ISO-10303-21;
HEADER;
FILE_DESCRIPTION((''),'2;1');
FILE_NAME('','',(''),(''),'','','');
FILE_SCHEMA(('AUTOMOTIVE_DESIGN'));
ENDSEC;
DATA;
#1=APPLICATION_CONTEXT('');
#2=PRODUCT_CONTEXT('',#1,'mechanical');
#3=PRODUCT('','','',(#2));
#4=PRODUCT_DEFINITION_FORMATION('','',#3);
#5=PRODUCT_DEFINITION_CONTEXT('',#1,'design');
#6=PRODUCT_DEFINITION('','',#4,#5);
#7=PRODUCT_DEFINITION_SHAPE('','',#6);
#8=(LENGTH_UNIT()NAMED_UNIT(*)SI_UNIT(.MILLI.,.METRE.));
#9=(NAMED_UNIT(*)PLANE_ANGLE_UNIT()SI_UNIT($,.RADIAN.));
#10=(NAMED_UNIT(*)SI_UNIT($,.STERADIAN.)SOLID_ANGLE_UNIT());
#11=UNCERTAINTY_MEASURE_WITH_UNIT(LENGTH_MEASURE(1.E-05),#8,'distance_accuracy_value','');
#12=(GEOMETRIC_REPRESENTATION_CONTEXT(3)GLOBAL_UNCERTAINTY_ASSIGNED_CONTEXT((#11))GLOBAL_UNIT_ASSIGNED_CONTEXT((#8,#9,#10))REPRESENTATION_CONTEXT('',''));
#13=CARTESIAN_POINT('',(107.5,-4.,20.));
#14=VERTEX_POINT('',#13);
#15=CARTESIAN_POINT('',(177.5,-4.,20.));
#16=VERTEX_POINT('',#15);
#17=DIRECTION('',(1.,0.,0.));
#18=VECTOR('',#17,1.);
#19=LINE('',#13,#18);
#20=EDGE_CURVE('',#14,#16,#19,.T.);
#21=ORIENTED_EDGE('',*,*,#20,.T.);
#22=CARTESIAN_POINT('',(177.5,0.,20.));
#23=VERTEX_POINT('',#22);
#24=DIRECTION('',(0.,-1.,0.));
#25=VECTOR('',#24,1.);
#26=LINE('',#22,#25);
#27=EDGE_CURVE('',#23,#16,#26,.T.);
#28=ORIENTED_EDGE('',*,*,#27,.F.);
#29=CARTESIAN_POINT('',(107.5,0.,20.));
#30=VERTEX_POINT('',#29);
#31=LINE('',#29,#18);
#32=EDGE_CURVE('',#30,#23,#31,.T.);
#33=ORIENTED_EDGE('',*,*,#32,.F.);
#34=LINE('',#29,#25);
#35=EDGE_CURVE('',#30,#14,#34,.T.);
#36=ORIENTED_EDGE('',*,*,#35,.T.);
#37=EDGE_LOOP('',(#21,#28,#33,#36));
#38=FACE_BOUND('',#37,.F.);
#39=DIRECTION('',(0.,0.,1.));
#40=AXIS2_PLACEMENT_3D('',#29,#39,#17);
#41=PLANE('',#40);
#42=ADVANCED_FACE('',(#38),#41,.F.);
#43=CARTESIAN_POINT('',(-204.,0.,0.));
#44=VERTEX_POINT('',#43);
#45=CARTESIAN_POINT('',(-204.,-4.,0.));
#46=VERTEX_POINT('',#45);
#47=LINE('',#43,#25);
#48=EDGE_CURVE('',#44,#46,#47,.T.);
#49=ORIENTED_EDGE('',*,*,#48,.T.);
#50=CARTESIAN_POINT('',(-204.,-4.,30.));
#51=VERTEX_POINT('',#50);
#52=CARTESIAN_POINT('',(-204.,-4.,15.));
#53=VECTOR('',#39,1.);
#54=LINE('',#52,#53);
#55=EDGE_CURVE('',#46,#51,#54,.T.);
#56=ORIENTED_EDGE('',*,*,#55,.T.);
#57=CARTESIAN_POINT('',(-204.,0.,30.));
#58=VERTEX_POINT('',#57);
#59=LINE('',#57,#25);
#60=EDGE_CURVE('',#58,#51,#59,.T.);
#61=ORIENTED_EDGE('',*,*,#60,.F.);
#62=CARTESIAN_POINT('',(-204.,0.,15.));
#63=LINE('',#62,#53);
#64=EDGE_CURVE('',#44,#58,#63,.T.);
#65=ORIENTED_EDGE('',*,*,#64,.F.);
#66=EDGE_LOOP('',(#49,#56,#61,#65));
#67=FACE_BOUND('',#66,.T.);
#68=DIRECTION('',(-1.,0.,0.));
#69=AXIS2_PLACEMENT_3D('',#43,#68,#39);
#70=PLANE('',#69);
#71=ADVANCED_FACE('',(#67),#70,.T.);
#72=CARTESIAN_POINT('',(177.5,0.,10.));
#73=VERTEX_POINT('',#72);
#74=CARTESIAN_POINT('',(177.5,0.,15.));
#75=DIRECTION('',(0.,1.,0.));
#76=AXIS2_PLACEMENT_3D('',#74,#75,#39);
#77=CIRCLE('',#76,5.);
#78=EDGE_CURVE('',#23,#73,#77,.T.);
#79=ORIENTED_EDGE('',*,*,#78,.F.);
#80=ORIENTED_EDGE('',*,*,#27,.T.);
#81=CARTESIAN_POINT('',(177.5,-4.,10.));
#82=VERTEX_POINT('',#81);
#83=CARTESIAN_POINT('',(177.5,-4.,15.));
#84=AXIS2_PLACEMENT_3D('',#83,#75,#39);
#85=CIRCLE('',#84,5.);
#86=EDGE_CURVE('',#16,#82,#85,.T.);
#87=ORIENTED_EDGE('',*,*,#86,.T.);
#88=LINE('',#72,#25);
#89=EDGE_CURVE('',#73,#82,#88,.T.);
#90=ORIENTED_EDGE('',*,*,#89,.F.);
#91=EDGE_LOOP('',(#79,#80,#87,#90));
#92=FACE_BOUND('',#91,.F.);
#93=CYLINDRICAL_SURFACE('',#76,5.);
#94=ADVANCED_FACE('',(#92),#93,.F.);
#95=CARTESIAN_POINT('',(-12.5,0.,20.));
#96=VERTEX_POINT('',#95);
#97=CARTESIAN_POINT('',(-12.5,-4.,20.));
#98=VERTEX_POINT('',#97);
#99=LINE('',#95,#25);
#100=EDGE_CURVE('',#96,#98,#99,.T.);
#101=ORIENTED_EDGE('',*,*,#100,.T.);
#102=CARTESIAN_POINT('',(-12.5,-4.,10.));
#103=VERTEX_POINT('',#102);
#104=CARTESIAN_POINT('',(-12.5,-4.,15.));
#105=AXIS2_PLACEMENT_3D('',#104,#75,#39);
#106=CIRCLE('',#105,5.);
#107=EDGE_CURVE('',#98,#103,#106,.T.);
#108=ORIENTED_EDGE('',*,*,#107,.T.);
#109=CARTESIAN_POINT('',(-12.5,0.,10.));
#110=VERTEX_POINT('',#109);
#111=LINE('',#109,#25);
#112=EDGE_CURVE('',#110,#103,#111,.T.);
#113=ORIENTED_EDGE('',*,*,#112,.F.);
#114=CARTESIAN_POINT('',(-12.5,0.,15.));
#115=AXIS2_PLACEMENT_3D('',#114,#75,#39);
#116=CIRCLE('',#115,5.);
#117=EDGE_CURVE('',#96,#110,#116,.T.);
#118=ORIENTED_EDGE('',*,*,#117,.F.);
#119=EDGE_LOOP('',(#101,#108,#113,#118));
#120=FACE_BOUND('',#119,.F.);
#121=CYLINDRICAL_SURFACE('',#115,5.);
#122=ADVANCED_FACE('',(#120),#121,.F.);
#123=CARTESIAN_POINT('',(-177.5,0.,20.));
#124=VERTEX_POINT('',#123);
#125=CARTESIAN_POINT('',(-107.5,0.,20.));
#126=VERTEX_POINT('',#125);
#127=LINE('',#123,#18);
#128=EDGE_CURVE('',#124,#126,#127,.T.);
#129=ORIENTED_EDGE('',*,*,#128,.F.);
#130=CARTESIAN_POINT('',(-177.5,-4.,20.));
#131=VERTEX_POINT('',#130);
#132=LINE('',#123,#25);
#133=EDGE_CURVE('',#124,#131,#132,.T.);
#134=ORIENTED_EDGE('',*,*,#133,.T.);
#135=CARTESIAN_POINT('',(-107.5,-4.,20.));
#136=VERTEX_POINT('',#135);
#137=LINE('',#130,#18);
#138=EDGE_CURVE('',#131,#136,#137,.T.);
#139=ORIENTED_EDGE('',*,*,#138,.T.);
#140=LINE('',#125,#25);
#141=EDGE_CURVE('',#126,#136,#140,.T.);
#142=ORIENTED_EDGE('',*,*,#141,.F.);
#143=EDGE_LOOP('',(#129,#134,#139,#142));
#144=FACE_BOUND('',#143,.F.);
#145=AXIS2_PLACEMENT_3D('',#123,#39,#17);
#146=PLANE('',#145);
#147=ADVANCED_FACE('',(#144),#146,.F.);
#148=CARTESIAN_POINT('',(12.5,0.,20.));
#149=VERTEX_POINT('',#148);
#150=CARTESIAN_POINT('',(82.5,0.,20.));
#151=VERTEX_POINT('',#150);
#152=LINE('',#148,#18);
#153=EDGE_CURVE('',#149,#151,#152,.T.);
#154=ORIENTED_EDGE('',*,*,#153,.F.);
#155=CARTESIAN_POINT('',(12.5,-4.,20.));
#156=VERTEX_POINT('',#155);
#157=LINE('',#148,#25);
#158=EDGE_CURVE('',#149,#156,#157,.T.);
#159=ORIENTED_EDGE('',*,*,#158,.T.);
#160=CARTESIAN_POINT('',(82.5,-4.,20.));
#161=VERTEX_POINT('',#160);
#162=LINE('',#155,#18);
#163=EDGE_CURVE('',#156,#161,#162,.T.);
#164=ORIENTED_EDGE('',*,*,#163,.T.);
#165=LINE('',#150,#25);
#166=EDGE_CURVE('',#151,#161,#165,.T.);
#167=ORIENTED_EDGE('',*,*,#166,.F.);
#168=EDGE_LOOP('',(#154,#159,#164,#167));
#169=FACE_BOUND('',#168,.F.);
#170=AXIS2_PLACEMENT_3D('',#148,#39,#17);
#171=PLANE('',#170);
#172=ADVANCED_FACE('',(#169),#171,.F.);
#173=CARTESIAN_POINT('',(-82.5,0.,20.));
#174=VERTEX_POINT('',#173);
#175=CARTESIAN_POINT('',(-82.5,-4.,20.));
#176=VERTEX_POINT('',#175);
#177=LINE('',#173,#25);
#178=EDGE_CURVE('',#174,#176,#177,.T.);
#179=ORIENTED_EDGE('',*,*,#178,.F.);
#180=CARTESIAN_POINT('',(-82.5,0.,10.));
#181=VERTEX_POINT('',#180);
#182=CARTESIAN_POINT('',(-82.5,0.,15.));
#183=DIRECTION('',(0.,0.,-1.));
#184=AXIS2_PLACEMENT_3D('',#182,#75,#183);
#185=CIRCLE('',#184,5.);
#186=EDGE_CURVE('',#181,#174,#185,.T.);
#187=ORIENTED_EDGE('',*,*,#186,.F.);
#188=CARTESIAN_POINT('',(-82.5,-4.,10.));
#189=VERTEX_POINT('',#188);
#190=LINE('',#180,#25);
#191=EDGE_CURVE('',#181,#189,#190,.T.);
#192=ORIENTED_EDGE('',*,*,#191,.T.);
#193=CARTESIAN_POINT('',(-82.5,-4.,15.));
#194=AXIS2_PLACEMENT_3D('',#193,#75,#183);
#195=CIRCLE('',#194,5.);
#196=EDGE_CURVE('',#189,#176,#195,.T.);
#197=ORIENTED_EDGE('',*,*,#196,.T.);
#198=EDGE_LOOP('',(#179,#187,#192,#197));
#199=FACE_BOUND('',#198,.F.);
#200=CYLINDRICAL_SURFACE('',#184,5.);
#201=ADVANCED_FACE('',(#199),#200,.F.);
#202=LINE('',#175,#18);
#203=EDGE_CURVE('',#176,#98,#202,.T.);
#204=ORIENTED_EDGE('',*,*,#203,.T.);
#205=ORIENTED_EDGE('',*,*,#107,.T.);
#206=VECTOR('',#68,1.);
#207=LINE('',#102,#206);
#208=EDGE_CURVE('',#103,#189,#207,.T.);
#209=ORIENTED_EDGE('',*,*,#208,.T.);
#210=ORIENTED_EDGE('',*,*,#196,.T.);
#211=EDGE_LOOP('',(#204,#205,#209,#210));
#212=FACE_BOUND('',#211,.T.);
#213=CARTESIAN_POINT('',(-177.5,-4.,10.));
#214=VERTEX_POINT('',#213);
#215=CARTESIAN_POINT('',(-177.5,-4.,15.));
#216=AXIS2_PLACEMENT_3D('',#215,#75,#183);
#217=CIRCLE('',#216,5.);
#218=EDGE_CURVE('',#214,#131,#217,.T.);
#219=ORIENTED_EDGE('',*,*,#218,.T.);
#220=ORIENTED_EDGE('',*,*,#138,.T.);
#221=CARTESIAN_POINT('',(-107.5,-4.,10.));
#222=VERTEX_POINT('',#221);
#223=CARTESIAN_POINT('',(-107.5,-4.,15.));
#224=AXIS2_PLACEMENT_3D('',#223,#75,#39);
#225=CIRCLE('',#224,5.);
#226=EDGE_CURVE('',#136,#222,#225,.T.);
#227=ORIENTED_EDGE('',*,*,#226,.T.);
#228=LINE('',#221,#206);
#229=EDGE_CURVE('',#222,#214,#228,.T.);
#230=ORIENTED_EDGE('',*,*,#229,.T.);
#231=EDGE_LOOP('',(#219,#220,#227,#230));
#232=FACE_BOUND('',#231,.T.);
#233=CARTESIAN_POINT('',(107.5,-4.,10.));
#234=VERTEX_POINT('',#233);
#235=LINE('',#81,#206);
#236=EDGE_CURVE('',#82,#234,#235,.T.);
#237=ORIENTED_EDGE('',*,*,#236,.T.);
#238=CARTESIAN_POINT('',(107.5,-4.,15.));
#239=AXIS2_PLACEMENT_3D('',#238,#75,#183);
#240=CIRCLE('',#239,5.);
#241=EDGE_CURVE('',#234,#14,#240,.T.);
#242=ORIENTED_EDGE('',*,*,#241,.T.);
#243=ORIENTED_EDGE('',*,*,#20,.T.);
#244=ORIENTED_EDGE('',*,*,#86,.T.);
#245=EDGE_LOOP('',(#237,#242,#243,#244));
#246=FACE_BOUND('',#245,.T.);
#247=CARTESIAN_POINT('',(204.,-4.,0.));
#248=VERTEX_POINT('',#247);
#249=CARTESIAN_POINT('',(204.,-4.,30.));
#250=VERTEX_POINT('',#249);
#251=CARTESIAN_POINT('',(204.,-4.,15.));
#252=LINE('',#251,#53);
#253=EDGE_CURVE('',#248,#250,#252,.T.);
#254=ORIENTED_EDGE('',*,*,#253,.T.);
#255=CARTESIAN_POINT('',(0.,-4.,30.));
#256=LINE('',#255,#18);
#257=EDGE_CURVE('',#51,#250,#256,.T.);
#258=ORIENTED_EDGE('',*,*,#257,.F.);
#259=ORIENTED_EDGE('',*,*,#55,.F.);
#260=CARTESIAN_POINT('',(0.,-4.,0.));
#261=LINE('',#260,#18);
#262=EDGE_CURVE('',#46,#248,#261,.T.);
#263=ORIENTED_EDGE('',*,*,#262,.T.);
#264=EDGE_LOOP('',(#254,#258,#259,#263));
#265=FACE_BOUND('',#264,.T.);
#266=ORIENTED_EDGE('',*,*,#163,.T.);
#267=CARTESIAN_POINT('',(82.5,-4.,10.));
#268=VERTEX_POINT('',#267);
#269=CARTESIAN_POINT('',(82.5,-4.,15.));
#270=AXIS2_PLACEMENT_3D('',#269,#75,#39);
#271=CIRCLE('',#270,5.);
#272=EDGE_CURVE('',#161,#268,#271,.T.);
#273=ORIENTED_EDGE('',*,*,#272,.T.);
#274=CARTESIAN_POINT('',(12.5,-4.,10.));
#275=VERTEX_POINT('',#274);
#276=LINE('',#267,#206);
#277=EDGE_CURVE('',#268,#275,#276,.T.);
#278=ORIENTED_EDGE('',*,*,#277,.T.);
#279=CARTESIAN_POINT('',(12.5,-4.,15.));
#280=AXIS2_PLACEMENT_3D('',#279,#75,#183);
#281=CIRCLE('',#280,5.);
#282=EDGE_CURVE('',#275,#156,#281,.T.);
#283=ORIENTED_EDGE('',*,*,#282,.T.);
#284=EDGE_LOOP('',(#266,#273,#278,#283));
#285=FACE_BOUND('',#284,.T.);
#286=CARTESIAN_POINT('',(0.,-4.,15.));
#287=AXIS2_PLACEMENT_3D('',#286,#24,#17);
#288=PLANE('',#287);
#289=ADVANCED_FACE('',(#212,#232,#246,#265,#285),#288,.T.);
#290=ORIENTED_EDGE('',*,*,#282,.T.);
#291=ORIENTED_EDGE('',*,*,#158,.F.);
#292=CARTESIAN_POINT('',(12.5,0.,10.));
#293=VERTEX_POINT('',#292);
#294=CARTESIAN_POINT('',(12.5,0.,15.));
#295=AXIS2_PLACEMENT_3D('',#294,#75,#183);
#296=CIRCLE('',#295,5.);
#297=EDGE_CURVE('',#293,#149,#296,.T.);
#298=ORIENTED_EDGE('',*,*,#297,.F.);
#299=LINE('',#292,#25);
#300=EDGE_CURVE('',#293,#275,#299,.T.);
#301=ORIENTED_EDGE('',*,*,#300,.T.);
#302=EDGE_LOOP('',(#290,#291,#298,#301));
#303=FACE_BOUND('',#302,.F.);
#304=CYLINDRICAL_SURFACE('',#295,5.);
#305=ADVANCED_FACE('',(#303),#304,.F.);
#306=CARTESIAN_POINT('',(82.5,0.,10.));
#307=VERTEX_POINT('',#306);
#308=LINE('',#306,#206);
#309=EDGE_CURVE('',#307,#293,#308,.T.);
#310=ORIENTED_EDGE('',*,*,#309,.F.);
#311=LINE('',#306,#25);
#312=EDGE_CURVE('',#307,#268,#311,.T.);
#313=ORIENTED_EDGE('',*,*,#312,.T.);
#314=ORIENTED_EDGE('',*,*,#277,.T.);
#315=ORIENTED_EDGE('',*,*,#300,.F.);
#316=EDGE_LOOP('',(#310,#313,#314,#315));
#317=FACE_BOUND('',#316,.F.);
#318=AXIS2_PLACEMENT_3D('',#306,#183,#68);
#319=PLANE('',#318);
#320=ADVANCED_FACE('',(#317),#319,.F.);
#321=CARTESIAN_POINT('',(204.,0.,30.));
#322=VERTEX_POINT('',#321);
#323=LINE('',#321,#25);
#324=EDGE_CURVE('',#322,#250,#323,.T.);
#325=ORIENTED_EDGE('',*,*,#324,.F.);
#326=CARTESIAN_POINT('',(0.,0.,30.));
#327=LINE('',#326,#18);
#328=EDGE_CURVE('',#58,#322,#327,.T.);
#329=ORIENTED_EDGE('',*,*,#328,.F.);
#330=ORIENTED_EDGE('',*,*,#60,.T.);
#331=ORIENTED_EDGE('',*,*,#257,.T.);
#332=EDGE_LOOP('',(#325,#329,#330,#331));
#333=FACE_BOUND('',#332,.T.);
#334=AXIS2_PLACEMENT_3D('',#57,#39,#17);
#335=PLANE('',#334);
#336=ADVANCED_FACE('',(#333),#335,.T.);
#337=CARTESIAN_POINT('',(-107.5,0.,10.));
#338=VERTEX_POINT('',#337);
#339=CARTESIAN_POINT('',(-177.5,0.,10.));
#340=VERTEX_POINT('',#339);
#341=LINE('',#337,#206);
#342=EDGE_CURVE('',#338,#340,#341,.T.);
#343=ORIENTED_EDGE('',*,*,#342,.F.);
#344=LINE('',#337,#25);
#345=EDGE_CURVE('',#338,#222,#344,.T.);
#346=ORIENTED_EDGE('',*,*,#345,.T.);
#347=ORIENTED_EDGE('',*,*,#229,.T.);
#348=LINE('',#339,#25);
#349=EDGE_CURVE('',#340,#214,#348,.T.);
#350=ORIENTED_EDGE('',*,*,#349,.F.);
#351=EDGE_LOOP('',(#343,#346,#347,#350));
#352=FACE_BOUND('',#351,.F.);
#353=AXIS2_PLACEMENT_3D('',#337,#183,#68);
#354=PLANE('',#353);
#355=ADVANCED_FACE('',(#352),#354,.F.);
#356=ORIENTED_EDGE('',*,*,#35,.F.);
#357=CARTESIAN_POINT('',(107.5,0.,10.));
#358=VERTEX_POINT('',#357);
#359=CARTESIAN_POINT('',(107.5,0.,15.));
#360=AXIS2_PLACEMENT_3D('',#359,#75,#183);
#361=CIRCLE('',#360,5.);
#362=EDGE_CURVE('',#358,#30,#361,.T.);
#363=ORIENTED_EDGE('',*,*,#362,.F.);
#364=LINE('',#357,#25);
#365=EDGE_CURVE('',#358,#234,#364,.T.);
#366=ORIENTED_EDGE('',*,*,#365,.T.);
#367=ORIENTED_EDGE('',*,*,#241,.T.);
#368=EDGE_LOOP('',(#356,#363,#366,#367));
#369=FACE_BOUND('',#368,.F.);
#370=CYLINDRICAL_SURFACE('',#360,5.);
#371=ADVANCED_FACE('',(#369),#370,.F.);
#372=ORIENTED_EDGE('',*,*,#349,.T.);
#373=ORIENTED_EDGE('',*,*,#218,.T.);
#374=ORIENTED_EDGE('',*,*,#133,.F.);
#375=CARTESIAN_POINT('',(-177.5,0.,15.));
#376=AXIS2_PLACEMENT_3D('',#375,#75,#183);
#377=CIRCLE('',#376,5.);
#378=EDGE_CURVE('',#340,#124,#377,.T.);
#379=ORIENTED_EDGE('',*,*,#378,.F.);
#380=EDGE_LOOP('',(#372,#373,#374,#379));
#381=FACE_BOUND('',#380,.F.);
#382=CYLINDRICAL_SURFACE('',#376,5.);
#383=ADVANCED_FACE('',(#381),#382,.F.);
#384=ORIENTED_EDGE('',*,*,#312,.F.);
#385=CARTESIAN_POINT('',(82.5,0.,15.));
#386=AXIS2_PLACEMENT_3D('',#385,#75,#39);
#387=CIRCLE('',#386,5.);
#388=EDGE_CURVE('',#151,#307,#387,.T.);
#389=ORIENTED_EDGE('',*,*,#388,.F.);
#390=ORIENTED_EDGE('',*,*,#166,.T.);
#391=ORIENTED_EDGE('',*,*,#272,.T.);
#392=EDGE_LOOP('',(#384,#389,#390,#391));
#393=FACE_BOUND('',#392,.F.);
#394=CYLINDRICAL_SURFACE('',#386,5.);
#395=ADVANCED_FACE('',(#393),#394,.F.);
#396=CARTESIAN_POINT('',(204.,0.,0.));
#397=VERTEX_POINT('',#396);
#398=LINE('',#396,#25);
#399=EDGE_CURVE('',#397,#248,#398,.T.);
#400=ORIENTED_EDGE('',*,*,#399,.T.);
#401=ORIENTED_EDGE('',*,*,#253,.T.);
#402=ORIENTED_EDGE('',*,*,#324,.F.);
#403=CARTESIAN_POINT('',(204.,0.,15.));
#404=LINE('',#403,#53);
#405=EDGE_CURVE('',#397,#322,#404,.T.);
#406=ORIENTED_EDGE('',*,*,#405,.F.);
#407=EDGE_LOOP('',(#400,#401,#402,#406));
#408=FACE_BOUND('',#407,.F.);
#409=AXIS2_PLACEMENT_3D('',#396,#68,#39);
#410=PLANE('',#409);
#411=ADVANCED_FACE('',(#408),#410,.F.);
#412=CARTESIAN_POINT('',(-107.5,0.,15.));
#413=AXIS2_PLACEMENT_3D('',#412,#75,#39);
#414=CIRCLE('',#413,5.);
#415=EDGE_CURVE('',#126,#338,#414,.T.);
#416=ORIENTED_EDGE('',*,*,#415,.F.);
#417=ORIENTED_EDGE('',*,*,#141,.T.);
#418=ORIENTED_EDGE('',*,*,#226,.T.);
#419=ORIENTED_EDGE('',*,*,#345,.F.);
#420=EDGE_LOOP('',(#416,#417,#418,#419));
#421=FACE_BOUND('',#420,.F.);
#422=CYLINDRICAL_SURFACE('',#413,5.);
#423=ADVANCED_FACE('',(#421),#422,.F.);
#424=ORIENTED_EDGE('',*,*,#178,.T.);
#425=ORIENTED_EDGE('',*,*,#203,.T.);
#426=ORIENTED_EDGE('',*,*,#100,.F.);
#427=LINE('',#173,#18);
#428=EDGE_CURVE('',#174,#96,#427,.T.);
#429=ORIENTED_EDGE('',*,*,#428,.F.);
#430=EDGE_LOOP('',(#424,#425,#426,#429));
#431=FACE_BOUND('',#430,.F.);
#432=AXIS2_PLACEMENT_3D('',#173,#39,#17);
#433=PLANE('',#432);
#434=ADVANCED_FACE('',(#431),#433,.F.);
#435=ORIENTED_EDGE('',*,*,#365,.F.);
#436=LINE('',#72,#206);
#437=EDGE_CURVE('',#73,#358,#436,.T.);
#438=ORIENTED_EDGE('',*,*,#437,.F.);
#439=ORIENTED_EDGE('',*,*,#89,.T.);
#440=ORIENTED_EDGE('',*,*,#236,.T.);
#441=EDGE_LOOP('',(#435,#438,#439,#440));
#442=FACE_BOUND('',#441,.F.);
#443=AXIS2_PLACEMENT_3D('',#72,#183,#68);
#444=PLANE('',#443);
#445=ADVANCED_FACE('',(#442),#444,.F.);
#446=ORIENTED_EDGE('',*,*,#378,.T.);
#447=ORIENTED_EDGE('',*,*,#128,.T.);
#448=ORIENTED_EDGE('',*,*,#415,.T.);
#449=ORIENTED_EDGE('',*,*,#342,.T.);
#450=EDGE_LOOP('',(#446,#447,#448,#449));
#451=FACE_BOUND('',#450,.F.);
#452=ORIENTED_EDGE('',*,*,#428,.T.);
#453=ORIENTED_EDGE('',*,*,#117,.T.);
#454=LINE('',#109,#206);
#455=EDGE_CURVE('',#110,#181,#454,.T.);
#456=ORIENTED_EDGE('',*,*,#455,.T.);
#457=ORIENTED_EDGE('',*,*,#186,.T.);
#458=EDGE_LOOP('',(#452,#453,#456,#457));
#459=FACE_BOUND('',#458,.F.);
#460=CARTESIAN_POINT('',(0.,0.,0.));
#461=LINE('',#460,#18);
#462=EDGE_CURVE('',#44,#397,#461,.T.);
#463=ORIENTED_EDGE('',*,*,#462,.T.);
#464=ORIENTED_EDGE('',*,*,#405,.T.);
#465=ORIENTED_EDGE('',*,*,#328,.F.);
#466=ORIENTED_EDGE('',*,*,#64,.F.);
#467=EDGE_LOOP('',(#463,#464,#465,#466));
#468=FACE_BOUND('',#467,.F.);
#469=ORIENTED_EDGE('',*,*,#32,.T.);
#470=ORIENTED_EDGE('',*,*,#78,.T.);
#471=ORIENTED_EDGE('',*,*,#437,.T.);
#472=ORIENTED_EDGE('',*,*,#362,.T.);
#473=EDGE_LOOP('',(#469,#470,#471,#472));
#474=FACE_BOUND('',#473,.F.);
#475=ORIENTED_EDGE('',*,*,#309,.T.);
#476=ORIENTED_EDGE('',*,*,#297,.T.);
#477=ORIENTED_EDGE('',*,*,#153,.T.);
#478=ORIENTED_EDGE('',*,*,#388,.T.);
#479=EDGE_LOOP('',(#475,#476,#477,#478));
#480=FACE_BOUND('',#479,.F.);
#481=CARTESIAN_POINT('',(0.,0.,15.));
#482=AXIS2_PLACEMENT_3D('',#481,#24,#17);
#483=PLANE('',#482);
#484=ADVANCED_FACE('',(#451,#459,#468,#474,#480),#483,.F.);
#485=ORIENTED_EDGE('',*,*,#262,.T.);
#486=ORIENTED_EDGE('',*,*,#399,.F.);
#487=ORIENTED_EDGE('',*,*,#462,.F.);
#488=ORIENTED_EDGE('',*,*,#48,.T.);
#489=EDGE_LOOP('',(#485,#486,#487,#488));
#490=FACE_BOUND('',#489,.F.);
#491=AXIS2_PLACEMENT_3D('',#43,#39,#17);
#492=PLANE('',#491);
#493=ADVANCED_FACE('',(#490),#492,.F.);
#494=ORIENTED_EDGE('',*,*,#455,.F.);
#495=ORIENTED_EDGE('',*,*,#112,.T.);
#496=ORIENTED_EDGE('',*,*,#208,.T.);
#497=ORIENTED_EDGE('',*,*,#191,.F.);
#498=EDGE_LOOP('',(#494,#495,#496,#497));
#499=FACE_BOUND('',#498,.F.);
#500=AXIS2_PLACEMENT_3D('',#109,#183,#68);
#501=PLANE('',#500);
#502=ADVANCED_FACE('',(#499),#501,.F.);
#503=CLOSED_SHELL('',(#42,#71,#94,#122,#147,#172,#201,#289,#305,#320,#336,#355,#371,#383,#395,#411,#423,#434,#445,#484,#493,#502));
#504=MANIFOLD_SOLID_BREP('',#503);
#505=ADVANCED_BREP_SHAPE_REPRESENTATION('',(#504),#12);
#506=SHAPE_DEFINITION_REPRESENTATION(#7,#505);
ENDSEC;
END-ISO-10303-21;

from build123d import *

# Parameters (mm, degrees)
F0_W     = 408
F0_H     = 30
F1_DEPTH = 4


with BuildPart() as f1:
    # F0 (on Front) → F1 (new body)
    with BuildSketch(Plane.XZ):
        with Locations((0, 15)):
            Rectangle(F0_W, F0_H)
        with BuildLine():
            ThreePointArc((-177.5, 10), (-182.5, 15), (-177.5, 20))
            Line((-177.5, 20), (-107.5, 20))
            ThreePointArc((-107.5, 20), (-102.5, 15), (-107.5, 10))
            Line((-107.5, 10), (-177.5, 10))
        make_face(mode=Mode.SUBTRACT)
        with BuildLine():
            ThreePointArc((-82.5, 10), (-87.5, 15), (-82.5, 20))
            Line((-82.5, 20), (-12.5, 20))
            ThreePointArc((-12.5, 20), (-7.5, 15), (-12.5, 10))
            Line((-12.5, 10), (-82.5, 10))
        make_face(mode=Mode.SUBTRACT)
        with BuildLine():
            ThreePointArc((12.5, 10), (7.5, 15), (12.5, 20))
            Line((12.5, 20), (82.5, 20))
            ThreePointArc((82.5, 20), (87.5, 15), (82.5, 10))
            Line((82.5, 10), (12.5, 10))
        make_face(mode=Mode.SUBTRACT)
        with BuildLine():
            ThreePointArc((107.5, 10), (102.5, 15), (107.5, 20))
            Line((107.5, 20), (177.5, 20))
            ThreePointArc((177.5, 20), (182.5, 15), (177.5, 10))
            Line((177.5, 10), (107.5, 10))
        make_face(mode=Mode.SUBTRACT)
    extrude(amount=F1_DEPTH)


solid = f1.part
